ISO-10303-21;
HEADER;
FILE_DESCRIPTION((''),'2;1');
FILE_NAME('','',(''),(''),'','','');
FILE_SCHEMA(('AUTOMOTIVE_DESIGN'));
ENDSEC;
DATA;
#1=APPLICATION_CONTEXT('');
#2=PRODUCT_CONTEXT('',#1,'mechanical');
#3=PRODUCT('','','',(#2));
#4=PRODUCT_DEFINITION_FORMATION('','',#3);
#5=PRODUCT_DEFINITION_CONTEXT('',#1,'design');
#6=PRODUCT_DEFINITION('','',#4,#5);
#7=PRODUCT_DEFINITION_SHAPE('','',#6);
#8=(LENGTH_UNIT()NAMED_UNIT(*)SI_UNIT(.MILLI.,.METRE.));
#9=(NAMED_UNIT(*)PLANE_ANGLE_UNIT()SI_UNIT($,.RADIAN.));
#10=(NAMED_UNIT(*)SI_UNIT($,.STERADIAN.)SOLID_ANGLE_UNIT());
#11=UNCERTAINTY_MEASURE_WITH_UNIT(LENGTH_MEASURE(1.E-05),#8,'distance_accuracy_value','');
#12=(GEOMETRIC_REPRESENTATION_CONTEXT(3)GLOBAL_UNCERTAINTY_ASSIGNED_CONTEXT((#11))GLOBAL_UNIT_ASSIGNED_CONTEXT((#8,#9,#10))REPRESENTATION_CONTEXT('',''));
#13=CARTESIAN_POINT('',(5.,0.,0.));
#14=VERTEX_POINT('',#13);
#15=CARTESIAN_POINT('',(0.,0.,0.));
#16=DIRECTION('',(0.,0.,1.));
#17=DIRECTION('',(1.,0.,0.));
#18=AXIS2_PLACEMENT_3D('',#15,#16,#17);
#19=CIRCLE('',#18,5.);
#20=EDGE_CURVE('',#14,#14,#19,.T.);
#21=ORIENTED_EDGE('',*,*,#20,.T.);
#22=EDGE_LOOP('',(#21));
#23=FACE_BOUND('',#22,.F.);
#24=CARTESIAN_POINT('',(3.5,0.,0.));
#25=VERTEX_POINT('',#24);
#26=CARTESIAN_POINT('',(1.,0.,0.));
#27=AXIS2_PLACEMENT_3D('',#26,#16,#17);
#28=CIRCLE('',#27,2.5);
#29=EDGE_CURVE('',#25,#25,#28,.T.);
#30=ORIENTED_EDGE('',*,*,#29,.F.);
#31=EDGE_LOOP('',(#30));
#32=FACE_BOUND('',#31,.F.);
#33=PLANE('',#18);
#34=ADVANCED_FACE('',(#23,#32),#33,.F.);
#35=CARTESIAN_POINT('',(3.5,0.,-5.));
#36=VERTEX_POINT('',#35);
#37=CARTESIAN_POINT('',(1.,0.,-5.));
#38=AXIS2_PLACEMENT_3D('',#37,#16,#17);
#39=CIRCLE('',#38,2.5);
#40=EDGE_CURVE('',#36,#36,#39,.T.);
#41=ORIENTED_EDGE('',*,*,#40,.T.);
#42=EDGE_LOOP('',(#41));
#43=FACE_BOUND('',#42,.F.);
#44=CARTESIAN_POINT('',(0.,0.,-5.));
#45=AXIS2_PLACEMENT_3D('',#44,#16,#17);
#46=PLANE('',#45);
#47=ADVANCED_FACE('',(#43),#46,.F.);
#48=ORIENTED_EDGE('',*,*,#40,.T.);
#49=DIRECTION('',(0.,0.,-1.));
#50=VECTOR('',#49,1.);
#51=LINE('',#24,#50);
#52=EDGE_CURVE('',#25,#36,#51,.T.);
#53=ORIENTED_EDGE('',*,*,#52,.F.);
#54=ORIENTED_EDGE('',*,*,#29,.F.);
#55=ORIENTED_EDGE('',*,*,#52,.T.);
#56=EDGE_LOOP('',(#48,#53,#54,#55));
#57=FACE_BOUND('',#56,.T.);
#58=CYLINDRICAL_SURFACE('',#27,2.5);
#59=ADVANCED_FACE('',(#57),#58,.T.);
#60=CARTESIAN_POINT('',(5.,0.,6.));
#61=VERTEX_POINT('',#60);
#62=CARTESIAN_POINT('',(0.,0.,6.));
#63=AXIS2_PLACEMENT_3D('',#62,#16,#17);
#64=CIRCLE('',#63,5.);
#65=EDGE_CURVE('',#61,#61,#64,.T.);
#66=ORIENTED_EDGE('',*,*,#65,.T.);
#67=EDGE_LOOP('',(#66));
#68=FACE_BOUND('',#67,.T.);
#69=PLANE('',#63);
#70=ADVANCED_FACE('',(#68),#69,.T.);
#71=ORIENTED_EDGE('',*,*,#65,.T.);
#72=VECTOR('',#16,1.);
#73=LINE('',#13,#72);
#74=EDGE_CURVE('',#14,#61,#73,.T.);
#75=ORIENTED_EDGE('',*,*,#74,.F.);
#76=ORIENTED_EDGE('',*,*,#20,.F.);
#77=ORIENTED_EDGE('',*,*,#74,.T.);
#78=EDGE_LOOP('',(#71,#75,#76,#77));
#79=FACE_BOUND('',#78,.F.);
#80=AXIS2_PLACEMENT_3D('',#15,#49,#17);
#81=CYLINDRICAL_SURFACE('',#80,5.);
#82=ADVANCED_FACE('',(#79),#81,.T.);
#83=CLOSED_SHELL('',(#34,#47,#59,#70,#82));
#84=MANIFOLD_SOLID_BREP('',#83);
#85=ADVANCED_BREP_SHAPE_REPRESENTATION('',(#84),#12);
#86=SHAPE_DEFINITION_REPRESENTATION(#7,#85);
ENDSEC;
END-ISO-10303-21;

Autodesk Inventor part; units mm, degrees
ref_plane "YZ Plane" through (0, 0, 0) normal (1, 0, 0) x (0, 1, 0)
ref_plane "XZ Plane" through (0, 0, 0) normal (0, 1, 0) x (-1, 0, 0)
ref_plane "XY Plane" through (0, 0, 0) normal (0, 0, 1) x (1, 0, 0)
sketch "스케치1" plane through (0, 0, 0) normal (0, 0, 1) x (1, 0, 0)
  circle A0 centre (0, 0) radius 5
  circle A1 centre (1, 0) radius 2.5
  dimension "d0" = 10
  dimension "d1" = 5
  dimension "d2" = 1
extrude "돌출1" add sketch "스케치1" along normal blind 6 contours A0 | A1
extrude "돌출2" add sketch "스케치1" against normal blind 5 contours A1
properties part number "사이클로이드 기어 003"
